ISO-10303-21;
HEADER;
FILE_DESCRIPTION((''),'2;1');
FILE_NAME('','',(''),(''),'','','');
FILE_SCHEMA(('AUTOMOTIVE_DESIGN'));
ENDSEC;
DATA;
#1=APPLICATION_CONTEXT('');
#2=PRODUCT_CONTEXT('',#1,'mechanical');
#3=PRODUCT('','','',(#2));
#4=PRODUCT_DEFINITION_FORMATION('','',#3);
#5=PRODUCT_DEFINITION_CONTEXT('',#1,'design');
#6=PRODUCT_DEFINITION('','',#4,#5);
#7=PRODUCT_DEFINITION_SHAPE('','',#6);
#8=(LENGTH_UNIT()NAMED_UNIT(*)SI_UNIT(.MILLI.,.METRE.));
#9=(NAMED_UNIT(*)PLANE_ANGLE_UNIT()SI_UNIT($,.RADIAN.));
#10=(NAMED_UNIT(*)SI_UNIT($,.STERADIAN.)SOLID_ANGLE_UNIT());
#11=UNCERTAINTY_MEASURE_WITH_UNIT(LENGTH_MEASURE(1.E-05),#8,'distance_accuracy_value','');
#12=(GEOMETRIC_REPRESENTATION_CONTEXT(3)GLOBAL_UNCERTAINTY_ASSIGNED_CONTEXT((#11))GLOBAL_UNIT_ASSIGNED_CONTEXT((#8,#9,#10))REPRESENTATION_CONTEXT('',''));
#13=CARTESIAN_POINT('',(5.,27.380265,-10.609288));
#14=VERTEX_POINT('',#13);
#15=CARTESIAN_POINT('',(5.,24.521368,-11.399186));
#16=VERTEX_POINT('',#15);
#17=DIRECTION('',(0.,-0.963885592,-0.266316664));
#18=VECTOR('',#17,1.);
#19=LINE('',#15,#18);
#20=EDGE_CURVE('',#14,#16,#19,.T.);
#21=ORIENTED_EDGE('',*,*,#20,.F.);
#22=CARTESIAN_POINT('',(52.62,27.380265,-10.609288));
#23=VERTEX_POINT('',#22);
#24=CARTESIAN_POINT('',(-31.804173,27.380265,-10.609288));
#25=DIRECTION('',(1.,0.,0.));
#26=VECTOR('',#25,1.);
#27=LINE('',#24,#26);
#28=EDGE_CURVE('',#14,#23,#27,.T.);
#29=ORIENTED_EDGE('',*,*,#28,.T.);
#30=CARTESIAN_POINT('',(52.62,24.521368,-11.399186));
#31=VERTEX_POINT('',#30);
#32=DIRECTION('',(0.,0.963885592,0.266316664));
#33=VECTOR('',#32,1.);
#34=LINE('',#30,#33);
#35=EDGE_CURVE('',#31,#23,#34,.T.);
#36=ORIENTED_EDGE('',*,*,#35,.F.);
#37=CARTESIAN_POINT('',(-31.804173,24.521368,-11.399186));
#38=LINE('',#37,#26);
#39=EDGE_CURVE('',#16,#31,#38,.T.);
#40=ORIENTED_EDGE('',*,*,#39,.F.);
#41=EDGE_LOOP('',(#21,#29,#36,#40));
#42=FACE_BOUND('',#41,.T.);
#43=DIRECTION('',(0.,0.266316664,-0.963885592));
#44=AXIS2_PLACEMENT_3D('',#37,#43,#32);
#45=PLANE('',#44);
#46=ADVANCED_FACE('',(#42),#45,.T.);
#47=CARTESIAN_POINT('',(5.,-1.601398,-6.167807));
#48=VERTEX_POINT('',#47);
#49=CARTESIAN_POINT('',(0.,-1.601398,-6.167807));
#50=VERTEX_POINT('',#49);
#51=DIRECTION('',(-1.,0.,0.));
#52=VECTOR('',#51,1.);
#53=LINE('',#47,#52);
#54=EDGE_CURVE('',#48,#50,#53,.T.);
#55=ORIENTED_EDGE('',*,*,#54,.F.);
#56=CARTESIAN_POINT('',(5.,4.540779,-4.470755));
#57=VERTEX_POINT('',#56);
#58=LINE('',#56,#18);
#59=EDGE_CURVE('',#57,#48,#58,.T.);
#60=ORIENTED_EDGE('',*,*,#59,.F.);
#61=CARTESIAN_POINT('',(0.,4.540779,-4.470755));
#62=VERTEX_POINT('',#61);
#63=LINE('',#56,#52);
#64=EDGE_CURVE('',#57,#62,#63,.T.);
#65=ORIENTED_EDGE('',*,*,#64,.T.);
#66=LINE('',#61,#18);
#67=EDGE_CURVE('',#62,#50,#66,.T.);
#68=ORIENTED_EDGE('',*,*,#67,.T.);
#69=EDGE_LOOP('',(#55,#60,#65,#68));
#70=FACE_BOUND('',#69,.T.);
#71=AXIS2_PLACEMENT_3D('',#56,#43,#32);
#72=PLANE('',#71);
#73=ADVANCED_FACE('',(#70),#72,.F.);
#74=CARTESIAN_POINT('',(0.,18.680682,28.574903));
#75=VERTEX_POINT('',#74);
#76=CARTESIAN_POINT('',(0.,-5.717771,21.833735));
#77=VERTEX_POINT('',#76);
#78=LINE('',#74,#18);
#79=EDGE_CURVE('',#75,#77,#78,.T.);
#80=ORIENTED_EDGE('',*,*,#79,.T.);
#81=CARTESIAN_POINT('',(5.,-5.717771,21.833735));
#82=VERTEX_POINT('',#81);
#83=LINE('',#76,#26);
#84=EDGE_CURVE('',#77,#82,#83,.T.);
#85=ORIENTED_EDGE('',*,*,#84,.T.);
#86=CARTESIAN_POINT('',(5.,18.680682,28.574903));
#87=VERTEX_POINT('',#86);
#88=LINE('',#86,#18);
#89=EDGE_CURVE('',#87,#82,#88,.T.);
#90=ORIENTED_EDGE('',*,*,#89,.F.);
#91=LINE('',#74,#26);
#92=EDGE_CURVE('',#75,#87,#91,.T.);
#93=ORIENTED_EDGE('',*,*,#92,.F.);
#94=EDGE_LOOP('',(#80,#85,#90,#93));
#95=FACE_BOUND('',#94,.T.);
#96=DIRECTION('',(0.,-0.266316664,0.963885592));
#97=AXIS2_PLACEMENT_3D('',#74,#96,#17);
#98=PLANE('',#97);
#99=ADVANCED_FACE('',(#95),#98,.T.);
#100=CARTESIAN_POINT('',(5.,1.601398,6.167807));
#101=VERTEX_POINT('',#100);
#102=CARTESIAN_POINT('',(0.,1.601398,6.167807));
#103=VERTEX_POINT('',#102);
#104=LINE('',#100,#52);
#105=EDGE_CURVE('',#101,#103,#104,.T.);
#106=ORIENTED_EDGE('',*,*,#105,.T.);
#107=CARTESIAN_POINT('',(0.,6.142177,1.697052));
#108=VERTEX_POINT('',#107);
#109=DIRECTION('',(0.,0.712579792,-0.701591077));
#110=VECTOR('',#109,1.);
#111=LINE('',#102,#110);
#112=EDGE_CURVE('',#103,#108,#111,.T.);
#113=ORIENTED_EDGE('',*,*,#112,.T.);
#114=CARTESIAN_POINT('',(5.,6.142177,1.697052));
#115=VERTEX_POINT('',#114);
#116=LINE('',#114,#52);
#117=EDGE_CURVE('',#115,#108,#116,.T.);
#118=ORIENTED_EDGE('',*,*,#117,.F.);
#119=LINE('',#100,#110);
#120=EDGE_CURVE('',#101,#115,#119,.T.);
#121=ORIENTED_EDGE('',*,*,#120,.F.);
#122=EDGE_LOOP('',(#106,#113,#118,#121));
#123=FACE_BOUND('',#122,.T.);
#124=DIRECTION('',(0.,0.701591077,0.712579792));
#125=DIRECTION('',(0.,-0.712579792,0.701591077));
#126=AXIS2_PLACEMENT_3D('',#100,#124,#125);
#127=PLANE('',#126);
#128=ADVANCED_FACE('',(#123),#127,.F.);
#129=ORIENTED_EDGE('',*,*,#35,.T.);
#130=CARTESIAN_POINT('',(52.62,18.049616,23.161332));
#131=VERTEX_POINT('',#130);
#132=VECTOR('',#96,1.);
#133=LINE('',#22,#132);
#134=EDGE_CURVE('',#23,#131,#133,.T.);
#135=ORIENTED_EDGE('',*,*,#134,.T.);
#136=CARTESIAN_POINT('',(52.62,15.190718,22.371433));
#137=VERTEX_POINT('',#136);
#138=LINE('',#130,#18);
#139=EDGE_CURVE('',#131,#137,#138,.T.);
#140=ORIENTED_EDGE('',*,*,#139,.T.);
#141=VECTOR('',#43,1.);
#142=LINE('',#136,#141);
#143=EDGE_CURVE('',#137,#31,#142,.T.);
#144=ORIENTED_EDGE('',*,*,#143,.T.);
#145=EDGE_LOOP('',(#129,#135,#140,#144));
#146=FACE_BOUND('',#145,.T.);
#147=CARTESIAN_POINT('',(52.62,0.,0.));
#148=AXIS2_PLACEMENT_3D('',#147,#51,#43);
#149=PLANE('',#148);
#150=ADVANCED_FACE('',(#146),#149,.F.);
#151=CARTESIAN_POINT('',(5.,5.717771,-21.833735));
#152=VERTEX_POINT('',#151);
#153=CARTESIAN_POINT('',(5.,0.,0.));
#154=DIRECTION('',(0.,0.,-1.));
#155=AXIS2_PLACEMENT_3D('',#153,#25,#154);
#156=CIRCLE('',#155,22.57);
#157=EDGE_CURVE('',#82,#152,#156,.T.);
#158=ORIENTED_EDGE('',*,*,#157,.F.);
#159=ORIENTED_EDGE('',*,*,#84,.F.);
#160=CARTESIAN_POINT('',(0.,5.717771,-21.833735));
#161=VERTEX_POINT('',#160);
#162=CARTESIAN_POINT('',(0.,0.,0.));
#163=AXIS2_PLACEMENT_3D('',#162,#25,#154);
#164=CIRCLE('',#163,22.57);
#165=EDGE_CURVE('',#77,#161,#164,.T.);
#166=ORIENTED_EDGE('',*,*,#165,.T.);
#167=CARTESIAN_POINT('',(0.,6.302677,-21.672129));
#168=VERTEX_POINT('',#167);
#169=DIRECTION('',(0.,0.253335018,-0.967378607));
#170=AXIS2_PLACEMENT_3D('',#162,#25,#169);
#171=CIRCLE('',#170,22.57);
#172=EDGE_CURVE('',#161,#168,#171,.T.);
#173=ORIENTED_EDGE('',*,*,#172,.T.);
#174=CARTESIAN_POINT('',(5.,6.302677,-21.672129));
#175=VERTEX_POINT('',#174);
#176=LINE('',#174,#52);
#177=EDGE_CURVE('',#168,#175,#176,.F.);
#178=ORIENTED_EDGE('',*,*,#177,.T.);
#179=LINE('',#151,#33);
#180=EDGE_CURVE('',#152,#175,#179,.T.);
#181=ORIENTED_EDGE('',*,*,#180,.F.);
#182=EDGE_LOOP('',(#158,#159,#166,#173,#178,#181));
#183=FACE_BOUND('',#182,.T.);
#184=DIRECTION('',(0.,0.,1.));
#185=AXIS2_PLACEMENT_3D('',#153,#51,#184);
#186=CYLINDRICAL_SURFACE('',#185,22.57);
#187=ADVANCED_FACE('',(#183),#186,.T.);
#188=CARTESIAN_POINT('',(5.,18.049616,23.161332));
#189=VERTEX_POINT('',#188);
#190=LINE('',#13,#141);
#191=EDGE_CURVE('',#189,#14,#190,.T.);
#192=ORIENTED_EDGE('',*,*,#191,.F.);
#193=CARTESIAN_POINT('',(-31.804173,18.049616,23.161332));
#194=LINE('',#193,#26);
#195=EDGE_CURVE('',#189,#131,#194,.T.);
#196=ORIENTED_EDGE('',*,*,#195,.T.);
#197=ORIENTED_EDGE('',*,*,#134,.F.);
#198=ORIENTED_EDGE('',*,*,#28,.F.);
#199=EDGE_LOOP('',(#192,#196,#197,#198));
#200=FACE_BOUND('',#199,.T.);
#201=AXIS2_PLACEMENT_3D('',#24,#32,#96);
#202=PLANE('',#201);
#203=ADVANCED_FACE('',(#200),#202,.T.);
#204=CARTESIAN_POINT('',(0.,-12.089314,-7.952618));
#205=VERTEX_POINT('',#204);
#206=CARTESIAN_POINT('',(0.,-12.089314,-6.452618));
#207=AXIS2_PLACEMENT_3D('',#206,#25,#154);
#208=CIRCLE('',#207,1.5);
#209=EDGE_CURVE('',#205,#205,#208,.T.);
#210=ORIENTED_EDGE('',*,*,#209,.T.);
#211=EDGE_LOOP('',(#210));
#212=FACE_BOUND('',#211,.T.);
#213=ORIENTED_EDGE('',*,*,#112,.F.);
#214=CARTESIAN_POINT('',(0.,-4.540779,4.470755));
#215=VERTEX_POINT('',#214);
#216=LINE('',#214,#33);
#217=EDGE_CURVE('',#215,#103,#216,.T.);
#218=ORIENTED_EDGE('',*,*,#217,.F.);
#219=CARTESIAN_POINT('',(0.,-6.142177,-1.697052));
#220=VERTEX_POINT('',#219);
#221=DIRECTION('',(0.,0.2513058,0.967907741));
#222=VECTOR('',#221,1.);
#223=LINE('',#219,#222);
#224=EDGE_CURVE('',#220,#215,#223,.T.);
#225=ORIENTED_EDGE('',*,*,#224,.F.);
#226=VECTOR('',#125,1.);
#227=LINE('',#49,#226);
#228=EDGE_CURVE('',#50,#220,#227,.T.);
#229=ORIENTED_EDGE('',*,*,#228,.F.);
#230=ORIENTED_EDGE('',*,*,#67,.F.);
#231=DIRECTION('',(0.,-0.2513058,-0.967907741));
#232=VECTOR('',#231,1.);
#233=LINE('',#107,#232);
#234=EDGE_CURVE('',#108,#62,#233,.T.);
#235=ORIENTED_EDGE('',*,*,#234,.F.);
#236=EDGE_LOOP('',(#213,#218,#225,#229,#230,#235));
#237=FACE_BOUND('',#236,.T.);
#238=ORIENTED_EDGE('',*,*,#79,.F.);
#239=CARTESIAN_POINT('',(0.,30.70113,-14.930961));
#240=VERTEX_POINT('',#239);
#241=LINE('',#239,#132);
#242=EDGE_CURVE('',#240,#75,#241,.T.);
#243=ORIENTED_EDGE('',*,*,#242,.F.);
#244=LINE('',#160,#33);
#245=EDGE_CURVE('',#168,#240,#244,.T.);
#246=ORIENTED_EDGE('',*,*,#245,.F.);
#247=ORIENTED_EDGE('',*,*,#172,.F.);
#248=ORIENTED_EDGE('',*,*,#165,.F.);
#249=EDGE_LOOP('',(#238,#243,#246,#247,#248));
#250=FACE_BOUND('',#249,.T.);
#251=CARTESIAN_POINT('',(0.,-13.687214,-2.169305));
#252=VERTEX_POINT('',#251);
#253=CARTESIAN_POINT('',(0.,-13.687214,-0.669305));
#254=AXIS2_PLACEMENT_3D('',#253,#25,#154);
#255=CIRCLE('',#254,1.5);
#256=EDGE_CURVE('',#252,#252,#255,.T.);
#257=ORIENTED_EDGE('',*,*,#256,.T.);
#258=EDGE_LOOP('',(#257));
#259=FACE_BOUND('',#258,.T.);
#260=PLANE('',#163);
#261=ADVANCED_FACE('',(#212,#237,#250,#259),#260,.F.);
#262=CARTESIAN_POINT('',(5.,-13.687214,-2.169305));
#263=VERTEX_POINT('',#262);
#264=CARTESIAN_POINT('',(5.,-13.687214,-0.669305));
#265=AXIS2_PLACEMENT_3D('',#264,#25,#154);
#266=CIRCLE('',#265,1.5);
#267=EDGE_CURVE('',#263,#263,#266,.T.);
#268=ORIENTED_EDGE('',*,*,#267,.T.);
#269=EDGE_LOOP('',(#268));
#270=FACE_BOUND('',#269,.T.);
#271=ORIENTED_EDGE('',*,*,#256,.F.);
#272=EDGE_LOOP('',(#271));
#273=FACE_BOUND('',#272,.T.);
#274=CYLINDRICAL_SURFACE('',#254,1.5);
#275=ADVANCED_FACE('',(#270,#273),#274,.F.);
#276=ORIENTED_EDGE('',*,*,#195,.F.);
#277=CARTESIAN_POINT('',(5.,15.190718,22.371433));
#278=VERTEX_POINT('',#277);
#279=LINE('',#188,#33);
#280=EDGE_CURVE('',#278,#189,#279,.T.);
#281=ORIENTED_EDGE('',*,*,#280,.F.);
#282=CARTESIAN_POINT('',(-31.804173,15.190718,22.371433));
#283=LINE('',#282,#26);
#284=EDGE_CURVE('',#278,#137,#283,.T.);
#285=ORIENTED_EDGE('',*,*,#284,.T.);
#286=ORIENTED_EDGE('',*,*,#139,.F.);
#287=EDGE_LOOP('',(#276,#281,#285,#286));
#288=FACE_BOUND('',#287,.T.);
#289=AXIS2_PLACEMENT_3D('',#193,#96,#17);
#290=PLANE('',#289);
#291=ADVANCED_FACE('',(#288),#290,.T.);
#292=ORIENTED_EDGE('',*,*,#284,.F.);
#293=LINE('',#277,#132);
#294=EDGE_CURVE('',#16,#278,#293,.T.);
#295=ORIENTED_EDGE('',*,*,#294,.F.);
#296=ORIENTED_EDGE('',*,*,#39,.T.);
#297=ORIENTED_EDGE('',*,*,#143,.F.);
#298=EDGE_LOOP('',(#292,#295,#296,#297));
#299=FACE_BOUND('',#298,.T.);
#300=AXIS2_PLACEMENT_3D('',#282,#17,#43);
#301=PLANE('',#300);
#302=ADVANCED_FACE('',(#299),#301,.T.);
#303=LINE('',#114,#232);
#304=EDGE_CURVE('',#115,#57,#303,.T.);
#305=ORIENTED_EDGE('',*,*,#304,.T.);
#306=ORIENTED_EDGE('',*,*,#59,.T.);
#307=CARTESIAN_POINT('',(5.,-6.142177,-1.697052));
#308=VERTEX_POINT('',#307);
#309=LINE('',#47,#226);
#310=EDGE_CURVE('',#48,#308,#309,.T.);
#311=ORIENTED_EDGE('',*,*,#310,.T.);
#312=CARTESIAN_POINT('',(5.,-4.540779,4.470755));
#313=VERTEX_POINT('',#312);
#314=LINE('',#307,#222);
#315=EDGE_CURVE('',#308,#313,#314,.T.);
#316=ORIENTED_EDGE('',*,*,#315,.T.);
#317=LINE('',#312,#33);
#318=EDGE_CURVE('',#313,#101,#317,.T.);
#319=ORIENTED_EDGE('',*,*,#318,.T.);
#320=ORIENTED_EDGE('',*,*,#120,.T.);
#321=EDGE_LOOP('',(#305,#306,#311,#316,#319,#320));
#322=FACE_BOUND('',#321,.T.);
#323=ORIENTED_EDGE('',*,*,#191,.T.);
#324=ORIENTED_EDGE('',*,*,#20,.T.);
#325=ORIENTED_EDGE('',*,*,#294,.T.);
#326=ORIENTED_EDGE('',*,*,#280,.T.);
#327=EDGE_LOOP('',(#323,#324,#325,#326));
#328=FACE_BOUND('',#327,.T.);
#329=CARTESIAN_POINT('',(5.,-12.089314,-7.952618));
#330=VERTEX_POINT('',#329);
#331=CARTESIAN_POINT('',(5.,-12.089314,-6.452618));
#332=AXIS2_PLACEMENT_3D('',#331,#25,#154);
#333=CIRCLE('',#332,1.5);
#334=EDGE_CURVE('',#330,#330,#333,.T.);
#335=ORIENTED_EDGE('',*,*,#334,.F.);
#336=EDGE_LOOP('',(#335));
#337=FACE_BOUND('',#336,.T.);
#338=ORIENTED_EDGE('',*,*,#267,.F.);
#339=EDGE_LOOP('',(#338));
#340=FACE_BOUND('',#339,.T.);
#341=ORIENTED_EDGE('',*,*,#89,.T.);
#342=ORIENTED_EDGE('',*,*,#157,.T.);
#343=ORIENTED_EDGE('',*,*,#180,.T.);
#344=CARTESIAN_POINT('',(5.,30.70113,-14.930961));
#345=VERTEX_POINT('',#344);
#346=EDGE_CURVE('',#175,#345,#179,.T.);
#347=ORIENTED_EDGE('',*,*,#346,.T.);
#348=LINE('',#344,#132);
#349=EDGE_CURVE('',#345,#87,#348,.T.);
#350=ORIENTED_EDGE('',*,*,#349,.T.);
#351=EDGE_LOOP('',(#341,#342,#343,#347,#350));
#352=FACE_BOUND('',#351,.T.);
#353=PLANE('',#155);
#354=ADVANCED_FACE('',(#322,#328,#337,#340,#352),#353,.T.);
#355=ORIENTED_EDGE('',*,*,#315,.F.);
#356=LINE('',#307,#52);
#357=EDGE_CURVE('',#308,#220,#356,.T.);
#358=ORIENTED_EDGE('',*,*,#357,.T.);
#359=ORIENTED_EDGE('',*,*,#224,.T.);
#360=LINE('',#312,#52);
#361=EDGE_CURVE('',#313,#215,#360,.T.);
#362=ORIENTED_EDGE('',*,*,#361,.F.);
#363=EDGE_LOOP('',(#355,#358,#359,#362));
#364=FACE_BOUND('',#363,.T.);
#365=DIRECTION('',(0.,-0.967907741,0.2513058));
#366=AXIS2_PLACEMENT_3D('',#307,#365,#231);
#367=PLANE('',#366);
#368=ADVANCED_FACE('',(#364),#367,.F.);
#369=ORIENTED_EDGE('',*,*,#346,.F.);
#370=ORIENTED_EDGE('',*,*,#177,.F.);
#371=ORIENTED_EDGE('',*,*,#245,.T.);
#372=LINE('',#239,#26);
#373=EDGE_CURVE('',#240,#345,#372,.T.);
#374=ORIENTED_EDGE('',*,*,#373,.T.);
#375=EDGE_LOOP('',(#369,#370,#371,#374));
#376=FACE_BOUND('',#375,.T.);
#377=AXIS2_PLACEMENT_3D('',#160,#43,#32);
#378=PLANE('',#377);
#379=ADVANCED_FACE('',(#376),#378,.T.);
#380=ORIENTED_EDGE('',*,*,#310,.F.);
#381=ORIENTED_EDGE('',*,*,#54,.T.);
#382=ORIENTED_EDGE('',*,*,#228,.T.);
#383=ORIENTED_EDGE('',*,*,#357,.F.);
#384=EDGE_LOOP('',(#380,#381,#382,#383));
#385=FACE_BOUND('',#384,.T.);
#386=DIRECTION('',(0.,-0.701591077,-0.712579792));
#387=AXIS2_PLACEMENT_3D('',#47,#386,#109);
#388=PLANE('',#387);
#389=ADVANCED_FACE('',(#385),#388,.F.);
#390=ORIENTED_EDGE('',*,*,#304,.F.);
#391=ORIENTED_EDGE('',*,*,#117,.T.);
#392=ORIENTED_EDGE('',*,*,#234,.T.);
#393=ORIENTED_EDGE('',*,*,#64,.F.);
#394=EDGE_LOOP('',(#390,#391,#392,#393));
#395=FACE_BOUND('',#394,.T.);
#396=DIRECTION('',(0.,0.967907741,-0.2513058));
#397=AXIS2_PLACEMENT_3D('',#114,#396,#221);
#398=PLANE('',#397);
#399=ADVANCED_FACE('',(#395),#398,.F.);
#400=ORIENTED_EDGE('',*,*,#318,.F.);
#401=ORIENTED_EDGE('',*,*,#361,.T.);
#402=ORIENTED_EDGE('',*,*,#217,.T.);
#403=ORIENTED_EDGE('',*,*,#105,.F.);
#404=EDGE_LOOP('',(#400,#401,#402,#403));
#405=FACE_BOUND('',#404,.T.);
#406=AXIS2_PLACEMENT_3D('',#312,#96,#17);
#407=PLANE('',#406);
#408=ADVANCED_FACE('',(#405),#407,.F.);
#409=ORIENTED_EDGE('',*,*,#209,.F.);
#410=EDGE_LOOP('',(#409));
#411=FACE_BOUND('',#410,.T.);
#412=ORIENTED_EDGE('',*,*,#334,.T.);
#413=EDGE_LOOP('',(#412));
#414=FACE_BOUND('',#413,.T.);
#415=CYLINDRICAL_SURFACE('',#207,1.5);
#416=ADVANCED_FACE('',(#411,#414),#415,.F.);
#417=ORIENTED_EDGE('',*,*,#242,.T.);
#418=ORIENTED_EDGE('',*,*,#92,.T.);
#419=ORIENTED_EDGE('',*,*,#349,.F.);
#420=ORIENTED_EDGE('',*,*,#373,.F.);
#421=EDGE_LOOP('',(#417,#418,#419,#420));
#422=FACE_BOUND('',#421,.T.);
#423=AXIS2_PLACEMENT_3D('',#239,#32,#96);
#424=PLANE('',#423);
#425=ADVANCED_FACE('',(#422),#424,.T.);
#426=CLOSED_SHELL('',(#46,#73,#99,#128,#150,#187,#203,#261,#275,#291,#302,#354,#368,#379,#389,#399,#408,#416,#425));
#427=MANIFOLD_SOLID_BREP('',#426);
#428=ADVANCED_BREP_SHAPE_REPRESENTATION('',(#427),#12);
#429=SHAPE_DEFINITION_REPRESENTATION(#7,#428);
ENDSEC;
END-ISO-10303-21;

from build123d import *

# Parameters (mm, degrees)
SKETCH1_R           = 22.57
BOSS_EXTRUDE1_DEPTH = 5
BOSS_EXTRUDE2_DEPTH = 5
CUT_EXTRUDE2_DEPTH  = 5
SKETCH5_R           = 1.5
CUT_EXTRUDE3_DEPTH  = 5
BOSS_EXTRUDE3_DEPTH = 47.62
CUT_EXTRUDE5_DEPTH  = 47.62


with BuildPart() as part:
    # Sketch1 → Boss-Extrude1 (new body)
    with BuildSketch(Plane(origin=(0, 0, 0), x_dir=(0, 0, -1), z_dir=(1, 0, 0))):
        Circle(SKETCH1_R)
    extrude(amount=BOSS_EXTRUDE1_DEPTH)

    # Sketch3 → Boss-Extrude2 (add)
    with BuildSketch(Plane(origin=(5, 0, 0), x_dir=(0, 0, -1), z_dir=(1, 0, 0))):
        Polygon((21.833735154, 5.717771349), (14.930960802, 30.701130063), (-28.574903185, 18.68068215), (-21.833735154, -5.717771349), align=None)
    extrude(amount=-BOSS_EXTRUDE2_DEPTH)

    # Sketch4 → Cut-Extrude2 (cut)
    with BuildSketch(Plane.ZY):
        Polygon((4.470755169, -4.540778658), (6.167807255, 1.601398221), (1.697052086, 6.142176879), (-4.470755169, 4.540778658), (-6.167807255, -1.601398221), (-1.697052086, -6.142176879), align=None)
    extrude(amount=-CUT_EXTRUDE2_DEPTH, mode=Mode.SUBTRACT)

    # Sketch5 → Cut-Extrude3 (cut)
    with BuildSketch(Plane(origin=(5, 0, 0), x_dir=(0, 0, -1), z_dir=(1, 0, 0))):
        with Locations((0.669304585, -13.687213536)):
            Circle(SKETCH5_R)
        with Locations((6.452618137, -12.089313553)):
            Circle(SKETCH5_R)
    extrude(amount=-CUT_EXTRUDE3_DEPTH, mode=Mode.SUBTRACT)

    # Sketch6 → Boss-Extrude3 (add)
    with BuildSketch(Plane(origin=(5, 0, 0), x_dir=(0, 0, -1), z_dir=(1, 0, 0))):
        Polygon((10.64416617, 27.44177556), (-23.222841897, 18.084494285), (-22.406311475, 15.129208279), (11.460696592, 24.486489554), align=None)
    extrude(amount=BOSS_EXTRUDE3_DEPTH)

    # Sketch7 → Cut-Extrude5 (cut)
    with BuildSketch(Plane(origin=(52.62, 0, 0), x_dir=(0, 0, -1), z_dir=(1, 0, 0))):
        Polygon((11.460696592, 24.486489554), (10.64416617, 27.44177556), (-23.222841897, 18.084494285), (-22.406311475, 15.129208279), align=None)
        Polygon((11.399186479, 24.521368001), (10.609287723, 27.380265447), (-23.161331784, 18.049615839), (-22.371433028, 15.190718392), align=None, mode=Mode.SUBTRACT)
    extrude(amount=-CUT_EXTRUDE5_DEPTH, mode=Mode.SUBTRACT)


solid = part.part
